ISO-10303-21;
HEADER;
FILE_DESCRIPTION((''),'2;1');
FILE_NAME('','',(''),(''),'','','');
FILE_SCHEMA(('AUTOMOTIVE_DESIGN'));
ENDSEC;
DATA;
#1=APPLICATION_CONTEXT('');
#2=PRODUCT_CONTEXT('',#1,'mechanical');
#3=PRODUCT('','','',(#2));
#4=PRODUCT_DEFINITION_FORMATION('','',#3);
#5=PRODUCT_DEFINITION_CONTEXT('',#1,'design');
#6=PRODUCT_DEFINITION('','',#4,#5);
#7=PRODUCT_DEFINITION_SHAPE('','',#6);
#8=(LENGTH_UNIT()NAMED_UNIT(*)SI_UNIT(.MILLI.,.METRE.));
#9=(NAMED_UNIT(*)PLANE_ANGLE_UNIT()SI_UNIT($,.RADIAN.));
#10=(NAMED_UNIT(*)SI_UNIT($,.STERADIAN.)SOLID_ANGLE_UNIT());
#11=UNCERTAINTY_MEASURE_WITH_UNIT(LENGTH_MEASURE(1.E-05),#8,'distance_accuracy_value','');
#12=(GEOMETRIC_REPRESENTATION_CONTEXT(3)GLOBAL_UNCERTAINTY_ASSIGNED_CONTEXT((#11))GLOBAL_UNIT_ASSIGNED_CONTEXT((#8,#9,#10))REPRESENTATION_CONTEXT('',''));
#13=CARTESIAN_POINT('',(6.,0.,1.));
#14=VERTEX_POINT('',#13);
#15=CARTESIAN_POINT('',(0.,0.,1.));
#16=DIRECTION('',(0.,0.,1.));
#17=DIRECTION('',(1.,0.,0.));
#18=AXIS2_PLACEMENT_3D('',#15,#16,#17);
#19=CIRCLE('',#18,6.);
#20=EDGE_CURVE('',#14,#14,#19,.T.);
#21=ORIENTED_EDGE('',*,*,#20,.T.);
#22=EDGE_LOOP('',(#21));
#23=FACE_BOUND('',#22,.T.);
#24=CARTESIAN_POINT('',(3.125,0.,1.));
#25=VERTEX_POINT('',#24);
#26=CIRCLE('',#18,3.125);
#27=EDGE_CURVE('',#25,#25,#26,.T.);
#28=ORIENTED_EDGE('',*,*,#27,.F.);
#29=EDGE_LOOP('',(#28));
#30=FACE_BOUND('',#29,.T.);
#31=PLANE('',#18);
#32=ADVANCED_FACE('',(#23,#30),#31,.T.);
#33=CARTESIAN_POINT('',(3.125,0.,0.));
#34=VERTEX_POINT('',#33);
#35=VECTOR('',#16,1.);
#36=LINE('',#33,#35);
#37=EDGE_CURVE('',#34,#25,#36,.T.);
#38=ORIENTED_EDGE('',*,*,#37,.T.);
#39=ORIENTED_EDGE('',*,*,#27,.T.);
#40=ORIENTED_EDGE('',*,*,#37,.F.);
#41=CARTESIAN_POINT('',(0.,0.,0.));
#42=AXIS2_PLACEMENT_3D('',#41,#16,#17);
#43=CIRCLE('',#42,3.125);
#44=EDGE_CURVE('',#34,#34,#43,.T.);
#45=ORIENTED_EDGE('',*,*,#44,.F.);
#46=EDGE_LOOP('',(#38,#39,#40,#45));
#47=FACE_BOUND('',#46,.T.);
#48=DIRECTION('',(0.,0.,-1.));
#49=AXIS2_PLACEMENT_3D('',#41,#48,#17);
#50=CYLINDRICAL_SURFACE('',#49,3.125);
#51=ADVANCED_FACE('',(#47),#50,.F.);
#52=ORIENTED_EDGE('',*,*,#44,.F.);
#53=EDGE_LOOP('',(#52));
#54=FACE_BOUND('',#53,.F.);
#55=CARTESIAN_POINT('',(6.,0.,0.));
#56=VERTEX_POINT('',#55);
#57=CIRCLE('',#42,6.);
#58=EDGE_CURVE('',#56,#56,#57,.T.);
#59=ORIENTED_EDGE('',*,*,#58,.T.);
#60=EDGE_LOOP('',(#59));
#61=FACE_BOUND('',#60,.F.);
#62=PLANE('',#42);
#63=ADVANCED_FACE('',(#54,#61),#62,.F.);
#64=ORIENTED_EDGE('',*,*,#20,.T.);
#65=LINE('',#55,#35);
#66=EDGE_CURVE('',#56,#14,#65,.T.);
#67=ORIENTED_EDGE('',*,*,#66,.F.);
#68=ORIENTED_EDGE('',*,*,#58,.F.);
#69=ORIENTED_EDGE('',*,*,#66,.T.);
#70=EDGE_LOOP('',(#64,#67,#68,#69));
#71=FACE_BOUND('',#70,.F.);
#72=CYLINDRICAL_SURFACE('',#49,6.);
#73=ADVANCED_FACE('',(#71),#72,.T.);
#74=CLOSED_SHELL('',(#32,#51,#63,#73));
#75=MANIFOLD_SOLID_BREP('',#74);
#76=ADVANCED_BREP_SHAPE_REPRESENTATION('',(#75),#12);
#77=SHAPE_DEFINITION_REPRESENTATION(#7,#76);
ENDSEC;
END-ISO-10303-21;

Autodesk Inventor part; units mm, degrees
ref_plane "YZ Plane" through (0, 0, 0) normal (1, 0, 0) x (0, 1, 0)
ref_plane "XZ Plane" through (0, 0, 0) normal (0, 1, 0) x (-1, 0, 0)
ref_plane "XY Plane" through (0, 0, 0) normal (0, 0, 1) x (1, 0, 0)
sketch "スケッチ1" plane through (0, 0, 0) normal (0, 0, 1) x (1, 0, 0)
  circle A0 centre (0, 0) radius 3.125
  circle A1 centre (0, 0) radius 6
  dimension "d0" = 6.25
  dimension "d1" = 12
extrude "押し出し1" add sketch "スケッチ1" along normal blind 1
equation "\"TransitionRadius\" = BendRadius"
equation "\"BendRadius\" = 3.048"
properties part number "TT-0612-101" material "열가소성 수지"
